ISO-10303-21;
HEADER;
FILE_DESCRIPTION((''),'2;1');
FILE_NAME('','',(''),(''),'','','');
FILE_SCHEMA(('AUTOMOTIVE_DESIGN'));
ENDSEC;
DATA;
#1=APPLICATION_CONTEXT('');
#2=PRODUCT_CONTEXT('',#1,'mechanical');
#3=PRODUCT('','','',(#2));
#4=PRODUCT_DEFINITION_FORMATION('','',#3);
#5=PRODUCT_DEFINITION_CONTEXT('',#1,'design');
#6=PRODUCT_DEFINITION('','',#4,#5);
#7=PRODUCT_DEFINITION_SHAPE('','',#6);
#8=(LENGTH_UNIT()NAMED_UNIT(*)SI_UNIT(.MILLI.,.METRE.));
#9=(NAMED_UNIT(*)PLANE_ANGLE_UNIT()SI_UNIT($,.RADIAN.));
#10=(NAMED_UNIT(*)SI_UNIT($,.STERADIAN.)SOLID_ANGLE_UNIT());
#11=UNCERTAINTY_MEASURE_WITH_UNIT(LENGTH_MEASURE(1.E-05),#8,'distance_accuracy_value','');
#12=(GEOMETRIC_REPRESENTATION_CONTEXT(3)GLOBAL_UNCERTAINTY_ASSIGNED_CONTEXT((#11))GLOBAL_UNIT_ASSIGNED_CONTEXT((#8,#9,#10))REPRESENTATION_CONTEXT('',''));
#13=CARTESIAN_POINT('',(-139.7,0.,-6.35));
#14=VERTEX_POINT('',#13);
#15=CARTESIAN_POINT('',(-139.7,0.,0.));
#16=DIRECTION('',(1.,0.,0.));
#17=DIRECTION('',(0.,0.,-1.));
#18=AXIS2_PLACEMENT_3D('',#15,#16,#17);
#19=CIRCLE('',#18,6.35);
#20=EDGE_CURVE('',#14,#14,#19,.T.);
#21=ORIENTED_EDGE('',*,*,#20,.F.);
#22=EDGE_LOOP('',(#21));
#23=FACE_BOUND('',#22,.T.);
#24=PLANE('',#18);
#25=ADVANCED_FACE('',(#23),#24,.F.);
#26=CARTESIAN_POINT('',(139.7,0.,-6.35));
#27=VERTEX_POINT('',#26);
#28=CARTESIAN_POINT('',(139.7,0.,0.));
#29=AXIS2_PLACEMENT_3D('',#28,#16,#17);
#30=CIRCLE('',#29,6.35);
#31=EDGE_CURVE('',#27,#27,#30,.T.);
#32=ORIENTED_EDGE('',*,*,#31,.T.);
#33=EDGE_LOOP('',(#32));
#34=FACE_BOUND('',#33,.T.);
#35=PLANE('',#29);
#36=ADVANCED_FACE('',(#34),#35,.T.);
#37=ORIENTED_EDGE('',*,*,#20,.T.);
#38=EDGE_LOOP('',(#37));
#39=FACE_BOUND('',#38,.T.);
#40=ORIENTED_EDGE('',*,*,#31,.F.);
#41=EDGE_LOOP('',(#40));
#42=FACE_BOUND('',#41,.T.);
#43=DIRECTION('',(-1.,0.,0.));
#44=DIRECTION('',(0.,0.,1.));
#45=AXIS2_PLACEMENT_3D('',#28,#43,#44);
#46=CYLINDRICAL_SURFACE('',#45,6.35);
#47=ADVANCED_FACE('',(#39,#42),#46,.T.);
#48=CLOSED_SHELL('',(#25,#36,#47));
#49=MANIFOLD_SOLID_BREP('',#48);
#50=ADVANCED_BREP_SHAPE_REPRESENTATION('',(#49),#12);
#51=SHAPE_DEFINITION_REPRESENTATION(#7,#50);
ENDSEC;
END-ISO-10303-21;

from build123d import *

# Parameters (mm, degrees)
SKETCH1_R           = 6.35
BOSS_EXTRUDE1_DEPTH = 139.7


with BuildPart() as part:
    # Sketch1 → Boss-Extrude1 (new body, symmetric)
    with BuildSketch(Plane(origin=(0, 0, 0), x_dir=(0, 0, -1), z_dir=(1, 0, 0))):
        Circle(SKETCH1_R)
    extrude(amount=BOSS_EXTRUDE1_DEPTH, both=True)


solid = part.part
